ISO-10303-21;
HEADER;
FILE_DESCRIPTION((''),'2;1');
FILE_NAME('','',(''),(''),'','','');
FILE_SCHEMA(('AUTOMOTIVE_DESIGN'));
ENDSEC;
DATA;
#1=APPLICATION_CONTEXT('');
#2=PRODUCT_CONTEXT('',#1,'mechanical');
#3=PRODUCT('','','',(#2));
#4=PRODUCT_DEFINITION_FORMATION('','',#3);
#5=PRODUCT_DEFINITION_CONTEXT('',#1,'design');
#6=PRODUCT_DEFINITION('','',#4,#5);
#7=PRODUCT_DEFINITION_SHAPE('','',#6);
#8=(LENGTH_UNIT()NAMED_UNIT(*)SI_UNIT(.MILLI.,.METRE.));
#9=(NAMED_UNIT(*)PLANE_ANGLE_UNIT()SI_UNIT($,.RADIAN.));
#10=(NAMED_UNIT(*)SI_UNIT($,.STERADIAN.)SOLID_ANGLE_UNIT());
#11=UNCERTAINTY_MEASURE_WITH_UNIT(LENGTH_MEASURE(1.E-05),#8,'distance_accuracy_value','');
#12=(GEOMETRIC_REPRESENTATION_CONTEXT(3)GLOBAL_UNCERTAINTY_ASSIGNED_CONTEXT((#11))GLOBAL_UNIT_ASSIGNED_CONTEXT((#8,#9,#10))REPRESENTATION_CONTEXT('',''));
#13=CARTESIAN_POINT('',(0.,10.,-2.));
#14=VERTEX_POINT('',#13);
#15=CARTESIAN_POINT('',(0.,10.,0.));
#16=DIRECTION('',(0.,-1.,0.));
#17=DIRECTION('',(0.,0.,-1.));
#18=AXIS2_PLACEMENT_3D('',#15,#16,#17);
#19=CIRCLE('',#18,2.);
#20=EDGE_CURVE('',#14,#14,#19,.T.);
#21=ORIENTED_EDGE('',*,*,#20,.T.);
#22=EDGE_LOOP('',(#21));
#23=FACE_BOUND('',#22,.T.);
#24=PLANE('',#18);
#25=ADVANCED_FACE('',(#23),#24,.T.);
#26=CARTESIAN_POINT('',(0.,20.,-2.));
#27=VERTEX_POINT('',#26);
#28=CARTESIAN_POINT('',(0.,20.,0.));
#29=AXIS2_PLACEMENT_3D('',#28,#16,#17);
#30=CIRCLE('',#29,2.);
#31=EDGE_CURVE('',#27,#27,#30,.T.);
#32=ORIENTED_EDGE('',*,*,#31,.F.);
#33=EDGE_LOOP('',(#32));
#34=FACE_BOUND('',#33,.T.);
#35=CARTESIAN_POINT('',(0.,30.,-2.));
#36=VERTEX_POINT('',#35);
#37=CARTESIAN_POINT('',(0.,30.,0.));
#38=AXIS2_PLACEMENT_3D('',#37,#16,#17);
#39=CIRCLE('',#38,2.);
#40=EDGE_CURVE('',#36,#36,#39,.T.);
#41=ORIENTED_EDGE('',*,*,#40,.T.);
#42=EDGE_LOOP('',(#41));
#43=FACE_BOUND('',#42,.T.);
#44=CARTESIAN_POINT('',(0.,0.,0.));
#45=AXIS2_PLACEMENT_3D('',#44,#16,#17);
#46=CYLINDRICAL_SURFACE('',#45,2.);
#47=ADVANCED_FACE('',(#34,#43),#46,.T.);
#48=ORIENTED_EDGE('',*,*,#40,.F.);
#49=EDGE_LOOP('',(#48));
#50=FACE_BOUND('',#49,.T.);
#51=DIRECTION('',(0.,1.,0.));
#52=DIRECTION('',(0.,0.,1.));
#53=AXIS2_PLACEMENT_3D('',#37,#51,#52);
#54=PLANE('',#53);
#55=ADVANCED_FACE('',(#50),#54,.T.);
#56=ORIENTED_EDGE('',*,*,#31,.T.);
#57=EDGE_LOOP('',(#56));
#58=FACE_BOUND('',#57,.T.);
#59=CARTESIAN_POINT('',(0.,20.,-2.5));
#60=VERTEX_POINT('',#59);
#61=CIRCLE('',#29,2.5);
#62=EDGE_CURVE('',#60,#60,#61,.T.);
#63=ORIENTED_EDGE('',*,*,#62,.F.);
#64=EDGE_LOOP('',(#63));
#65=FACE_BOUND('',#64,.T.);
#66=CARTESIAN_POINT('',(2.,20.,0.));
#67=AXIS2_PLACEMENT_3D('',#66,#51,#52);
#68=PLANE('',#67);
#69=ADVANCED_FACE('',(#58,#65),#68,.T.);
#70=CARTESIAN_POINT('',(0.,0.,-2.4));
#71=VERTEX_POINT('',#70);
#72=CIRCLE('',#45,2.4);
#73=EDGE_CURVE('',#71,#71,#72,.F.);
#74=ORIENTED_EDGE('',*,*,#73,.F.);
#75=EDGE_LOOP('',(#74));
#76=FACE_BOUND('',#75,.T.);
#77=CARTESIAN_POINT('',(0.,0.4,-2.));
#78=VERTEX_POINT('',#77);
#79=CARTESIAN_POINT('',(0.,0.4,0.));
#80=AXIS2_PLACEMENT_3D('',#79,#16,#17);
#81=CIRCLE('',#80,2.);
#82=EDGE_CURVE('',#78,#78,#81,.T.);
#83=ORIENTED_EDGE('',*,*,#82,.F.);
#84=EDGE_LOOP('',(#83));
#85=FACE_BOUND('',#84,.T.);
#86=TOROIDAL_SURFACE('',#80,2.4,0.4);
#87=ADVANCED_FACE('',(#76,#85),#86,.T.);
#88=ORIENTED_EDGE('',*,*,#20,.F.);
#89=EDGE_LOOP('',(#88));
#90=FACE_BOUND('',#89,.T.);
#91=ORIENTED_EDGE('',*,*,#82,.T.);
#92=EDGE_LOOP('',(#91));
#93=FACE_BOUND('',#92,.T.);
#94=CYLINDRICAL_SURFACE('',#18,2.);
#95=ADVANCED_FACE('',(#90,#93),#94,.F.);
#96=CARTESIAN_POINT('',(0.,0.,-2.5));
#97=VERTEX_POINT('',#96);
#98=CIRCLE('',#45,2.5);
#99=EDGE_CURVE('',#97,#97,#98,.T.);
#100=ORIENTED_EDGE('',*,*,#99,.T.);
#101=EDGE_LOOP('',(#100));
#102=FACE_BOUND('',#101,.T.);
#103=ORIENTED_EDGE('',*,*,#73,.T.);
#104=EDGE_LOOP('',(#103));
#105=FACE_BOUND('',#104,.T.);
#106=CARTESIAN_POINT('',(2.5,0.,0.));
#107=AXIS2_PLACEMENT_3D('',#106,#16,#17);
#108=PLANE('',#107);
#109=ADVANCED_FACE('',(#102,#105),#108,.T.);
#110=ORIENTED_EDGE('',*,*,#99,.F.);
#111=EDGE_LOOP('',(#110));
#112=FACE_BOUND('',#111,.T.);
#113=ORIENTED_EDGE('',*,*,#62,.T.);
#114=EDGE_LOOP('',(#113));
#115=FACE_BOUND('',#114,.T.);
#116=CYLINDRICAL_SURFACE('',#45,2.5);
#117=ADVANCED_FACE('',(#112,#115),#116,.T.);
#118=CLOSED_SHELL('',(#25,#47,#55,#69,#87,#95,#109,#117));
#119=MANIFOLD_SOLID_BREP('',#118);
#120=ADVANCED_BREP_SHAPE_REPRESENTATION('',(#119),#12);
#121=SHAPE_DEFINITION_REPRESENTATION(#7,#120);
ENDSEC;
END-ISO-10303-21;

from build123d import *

# Parameters (mm, degrees)
IZIM2_R               = 2
KES_EKSTR_ZYON1_DEPTH = 10
RADYUS1_R             = 0.4


with BuildPart() as part:
    # Çizim1 → Döndür1 (revolve)
    with BuildSketch(Plane.XY):
        Polygon((0, 0), (0, 30), (2, 30), (2, 20), (2.5, 20), (2.5, 0), align=None)
    revolve(axis=Axis((0, 0, 0), (0, 1, 0)))

    # Çizim2 → Kes-Ekstrüzyon1 (cut)
    with BuildSketch(Plane.XZ):
        Circle(IZIM2_R)
    extrude(amount=-KES_EKSTR_ZYON1_DEPTH, mode=Mode.SUBTRACT)

    # Radyus1
    radyus1_edges = [part.edges().sort_by_distance(p)[0] for p in [
        (-2, 0, 0),
    ]]
    fillet(radyus1_edges, radius=RADYUS1_R)


solid = part.part
